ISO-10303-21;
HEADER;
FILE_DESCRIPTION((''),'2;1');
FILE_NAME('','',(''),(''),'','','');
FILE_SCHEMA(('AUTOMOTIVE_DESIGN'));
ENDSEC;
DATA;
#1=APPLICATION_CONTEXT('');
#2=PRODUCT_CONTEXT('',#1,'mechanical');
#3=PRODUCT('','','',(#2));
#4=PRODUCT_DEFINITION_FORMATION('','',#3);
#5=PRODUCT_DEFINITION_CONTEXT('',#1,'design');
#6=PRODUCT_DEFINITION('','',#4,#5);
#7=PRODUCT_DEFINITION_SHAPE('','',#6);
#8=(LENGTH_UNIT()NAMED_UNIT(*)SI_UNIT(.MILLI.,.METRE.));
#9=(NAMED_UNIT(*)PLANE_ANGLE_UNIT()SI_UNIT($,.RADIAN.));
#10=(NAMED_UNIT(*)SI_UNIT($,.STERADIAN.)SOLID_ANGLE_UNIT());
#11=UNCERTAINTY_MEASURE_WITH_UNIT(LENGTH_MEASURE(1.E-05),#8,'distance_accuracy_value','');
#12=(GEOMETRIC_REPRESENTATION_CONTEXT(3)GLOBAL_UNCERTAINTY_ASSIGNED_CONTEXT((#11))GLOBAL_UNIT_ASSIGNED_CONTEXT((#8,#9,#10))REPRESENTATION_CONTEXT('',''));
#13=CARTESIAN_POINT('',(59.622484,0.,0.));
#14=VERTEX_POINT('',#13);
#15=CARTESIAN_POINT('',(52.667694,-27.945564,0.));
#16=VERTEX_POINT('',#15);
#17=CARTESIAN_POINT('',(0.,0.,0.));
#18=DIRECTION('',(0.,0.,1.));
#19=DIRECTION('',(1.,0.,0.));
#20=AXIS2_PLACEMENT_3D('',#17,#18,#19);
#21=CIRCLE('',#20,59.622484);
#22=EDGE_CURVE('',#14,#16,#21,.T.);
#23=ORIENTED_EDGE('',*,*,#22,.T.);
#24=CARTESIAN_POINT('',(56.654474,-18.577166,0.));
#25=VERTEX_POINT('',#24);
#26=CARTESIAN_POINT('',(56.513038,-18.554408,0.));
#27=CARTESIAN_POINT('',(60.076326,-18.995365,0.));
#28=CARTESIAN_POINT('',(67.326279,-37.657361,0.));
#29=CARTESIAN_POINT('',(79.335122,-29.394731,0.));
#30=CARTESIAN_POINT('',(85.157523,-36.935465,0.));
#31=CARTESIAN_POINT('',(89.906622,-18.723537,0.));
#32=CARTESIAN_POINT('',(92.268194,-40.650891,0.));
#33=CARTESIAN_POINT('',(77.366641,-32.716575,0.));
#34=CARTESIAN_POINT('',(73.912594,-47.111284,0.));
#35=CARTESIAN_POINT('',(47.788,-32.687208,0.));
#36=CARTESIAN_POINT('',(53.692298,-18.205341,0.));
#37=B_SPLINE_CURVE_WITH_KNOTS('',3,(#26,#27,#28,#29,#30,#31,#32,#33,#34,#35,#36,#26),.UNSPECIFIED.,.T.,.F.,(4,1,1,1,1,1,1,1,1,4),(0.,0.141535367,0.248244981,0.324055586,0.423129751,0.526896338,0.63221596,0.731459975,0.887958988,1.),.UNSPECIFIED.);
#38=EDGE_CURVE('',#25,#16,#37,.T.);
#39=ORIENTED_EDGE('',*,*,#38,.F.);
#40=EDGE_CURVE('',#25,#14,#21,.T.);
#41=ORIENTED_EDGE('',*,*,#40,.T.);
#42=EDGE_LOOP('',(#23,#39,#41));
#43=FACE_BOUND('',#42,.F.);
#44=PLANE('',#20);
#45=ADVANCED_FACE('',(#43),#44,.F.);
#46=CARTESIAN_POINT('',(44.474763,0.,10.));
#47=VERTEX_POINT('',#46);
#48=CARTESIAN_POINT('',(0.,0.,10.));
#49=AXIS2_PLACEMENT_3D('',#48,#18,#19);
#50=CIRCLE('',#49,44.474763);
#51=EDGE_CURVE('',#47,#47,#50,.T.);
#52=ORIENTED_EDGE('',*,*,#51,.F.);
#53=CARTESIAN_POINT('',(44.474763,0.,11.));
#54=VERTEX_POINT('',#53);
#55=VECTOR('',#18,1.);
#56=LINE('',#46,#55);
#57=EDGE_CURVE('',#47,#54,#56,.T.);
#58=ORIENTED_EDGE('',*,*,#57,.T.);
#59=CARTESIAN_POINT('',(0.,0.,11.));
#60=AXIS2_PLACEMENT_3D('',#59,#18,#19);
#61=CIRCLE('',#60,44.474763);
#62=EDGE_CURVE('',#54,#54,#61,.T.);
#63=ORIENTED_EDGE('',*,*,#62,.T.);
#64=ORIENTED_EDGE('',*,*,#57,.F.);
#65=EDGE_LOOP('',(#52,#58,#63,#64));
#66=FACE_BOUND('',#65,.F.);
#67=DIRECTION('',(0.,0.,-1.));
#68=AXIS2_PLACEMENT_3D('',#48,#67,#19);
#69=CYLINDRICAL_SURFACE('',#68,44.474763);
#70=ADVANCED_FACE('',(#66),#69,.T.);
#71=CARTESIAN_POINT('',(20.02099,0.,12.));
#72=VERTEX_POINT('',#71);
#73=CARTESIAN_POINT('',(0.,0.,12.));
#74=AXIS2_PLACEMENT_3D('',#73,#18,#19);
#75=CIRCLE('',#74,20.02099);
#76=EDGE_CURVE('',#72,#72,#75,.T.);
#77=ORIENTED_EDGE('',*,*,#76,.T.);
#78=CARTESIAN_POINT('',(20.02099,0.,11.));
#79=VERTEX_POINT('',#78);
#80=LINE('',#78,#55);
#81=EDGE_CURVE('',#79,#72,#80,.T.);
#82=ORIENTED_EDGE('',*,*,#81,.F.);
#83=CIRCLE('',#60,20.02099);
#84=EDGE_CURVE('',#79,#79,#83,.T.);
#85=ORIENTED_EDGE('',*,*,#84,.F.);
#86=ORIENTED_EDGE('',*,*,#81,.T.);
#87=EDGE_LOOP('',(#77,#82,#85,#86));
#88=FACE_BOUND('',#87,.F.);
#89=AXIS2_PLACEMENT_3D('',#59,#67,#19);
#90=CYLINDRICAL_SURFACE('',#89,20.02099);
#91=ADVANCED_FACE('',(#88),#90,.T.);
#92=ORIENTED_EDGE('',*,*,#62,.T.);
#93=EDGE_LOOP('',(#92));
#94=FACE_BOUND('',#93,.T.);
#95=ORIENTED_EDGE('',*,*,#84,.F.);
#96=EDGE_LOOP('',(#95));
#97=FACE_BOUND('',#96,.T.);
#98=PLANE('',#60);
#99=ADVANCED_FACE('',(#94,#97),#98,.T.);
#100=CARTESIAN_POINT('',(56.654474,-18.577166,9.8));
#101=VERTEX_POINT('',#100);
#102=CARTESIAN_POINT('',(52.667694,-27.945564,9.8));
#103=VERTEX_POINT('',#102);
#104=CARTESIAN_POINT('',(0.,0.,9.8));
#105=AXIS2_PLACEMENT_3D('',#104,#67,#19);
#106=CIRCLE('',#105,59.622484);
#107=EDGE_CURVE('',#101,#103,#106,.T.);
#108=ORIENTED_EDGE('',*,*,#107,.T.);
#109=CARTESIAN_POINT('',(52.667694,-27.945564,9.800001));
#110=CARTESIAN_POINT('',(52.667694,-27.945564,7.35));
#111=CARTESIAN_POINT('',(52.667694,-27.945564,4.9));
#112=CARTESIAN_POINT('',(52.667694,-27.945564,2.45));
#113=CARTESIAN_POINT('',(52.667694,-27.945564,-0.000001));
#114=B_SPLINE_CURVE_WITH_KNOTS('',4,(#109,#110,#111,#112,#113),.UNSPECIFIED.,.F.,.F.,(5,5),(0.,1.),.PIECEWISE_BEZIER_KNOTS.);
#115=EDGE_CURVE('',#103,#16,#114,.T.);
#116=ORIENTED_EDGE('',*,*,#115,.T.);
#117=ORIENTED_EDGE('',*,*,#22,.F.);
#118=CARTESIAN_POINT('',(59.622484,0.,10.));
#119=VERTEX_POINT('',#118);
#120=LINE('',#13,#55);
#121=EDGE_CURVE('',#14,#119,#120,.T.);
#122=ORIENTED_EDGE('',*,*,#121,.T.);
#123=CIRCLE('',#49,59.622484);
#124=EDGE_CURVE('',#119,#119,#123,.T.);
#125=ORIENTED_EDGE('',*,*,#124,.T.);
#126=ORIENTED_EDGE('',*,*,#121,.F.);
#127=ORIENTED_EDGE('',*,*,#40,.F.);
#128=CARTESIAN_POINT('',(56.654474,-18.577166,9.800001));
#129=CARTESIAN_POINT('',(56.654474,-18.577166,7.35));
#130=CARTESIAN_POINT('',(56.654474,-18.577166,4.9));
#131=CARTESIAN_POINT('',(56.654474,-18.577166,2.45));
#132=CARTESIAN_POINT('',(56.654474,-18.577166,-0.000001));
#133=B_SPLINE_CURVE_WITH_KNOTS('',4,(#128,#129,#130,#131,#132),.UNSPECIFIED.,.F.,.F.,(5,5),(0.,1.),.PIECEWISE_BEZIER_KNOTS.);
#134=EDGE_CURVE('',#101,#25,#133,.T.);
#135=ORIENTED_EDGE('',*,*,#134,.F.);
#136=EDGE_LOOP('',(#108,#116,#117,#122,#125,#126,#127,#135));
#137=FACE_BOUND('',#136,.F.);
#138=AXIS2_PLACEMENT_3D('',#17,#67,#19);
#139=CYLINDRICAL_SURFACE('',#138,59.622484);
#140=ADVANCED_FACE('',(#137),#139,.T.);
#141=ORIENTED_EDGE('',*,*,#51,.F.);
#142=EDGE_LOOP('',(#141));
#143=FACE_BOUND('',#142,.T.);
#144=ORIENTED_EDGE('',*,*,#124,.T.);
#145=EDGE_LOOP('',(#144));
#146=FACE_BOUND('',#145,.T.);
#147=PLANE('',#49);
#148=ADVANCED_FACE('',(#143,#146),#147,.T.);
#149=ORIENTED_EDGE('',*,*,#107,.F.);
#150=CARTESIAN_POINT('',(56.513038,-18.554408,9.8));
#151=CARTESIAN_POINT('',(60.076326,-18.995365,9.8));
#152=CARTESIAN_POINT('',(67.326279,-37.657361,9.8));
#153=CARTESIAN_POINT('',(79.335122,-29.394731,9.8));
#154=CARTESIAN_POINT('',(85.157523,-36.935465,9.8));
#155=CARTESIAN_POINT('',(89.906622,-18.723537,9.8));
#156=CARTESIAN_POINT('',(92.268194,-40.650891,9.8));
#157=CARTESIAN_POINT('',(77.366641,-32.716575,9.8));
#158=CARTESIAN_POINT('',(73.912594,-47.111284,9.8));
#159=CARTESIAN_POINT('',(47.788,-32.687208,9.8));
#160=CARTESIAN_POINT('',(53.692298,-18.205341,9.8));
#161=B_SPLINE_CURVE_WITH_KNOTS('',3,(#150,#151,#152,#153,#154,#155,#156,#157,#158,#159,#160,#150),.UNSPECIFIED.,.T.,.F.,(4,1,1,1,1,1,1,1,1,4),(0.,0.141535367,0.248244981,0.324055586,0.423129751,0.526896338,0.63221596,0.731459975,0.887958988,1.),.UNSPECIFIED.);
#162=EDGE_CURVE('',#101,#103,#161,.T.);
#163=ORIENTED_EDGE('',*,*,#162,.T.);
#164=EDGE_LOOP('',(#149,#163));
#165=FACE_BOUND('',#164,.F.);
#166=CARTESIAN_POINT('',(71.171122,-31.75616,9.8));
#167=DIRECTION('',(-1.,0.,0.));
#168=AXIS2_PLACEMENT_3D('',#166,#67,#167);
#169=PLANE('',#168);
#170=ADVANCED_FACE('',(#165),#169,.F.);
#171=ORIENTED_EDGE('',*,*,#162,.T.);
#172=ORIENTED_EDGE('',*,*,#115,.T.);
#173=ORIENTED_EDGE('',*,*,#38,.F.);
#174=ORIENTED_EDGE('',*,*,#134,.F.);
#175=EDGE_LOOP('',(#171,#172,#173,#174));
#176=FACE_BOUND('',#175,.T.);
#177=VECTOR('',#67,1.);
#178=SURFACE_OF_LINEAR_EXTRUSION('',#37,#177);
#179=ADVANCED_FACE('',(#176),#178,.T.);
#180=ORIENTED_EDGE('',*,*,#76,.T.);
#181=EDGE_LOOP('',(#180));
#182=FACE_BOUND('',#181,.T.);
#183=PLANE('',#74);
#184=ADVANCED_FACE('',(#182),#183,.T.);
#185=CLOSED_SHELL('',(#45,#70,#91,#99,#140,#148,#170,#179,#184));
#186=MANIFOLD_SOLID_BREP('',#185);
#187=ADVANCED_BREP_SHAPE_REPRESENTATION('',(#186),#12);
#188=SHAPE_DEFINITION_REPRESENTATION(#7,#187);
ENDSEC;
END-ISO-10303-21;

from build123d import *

# Parameters (mm, degrees)
F0_R     = 59.6224836618
F1_DEPTH = 10
F3_DEPTH = 9.8
F4_R     = 44.4747634624
F5_DEPTH = 1
F6_R     = 20.0209897177
F7_DEPTH = 1


with BuildPart() as f1:
    # F0 (on Top) → F1 (new body)
    with BuildSketch(Plane.XY):
        Circle(F0_R)
    extrude(amount=F1_DEPTH)

    # F2 (on Top) → F3 (join)
    with BuildSketch(Plane.XY):
        with BuildLine():
            add(Edge.make_bspline(
                [(56.5130375326, -18.5544081032), (60.0763262418, -18.9953652644), (67.3262792735, -37.6573614559), (79.3351223139, -29.3947307126), (85.1575232368, -36.9354653922), (89.9066222538, -18.7235374034), (92.2681941092, -40.6508908401), (77.3666407475, -32.7165747954), (73.9125938653, -47.1112836436), (47.7879996897, -32.6872077765), (53.6922975171, -18.2053413812), (56.5130375326, -18.5544081032)],
                knots=[0, 0, 0, 0, 0.1415353666, 0.2482449813, 0.3240555858, 0.4231297511, 0.5268963376, 0.6322159605, 0.7314599749, 0.8879589882, 1, 1, 1, 1], degree=3))
        make_face()
    extrude(amount=F3_DEPTH)

    # F4 (on face) → F5 (join)
    with BuildSketch(Plane.XY.offset(10)):
        Circle(F4_R)
    extrude(amount=F5_DEPTH)

    # F6 (on face) → F7 (join)
    with BuildSketch(Plane.XY.offset(11)):
        Circle(F6_R)
    extrude(amount=F7_DEPTH)


solid = f1.part
